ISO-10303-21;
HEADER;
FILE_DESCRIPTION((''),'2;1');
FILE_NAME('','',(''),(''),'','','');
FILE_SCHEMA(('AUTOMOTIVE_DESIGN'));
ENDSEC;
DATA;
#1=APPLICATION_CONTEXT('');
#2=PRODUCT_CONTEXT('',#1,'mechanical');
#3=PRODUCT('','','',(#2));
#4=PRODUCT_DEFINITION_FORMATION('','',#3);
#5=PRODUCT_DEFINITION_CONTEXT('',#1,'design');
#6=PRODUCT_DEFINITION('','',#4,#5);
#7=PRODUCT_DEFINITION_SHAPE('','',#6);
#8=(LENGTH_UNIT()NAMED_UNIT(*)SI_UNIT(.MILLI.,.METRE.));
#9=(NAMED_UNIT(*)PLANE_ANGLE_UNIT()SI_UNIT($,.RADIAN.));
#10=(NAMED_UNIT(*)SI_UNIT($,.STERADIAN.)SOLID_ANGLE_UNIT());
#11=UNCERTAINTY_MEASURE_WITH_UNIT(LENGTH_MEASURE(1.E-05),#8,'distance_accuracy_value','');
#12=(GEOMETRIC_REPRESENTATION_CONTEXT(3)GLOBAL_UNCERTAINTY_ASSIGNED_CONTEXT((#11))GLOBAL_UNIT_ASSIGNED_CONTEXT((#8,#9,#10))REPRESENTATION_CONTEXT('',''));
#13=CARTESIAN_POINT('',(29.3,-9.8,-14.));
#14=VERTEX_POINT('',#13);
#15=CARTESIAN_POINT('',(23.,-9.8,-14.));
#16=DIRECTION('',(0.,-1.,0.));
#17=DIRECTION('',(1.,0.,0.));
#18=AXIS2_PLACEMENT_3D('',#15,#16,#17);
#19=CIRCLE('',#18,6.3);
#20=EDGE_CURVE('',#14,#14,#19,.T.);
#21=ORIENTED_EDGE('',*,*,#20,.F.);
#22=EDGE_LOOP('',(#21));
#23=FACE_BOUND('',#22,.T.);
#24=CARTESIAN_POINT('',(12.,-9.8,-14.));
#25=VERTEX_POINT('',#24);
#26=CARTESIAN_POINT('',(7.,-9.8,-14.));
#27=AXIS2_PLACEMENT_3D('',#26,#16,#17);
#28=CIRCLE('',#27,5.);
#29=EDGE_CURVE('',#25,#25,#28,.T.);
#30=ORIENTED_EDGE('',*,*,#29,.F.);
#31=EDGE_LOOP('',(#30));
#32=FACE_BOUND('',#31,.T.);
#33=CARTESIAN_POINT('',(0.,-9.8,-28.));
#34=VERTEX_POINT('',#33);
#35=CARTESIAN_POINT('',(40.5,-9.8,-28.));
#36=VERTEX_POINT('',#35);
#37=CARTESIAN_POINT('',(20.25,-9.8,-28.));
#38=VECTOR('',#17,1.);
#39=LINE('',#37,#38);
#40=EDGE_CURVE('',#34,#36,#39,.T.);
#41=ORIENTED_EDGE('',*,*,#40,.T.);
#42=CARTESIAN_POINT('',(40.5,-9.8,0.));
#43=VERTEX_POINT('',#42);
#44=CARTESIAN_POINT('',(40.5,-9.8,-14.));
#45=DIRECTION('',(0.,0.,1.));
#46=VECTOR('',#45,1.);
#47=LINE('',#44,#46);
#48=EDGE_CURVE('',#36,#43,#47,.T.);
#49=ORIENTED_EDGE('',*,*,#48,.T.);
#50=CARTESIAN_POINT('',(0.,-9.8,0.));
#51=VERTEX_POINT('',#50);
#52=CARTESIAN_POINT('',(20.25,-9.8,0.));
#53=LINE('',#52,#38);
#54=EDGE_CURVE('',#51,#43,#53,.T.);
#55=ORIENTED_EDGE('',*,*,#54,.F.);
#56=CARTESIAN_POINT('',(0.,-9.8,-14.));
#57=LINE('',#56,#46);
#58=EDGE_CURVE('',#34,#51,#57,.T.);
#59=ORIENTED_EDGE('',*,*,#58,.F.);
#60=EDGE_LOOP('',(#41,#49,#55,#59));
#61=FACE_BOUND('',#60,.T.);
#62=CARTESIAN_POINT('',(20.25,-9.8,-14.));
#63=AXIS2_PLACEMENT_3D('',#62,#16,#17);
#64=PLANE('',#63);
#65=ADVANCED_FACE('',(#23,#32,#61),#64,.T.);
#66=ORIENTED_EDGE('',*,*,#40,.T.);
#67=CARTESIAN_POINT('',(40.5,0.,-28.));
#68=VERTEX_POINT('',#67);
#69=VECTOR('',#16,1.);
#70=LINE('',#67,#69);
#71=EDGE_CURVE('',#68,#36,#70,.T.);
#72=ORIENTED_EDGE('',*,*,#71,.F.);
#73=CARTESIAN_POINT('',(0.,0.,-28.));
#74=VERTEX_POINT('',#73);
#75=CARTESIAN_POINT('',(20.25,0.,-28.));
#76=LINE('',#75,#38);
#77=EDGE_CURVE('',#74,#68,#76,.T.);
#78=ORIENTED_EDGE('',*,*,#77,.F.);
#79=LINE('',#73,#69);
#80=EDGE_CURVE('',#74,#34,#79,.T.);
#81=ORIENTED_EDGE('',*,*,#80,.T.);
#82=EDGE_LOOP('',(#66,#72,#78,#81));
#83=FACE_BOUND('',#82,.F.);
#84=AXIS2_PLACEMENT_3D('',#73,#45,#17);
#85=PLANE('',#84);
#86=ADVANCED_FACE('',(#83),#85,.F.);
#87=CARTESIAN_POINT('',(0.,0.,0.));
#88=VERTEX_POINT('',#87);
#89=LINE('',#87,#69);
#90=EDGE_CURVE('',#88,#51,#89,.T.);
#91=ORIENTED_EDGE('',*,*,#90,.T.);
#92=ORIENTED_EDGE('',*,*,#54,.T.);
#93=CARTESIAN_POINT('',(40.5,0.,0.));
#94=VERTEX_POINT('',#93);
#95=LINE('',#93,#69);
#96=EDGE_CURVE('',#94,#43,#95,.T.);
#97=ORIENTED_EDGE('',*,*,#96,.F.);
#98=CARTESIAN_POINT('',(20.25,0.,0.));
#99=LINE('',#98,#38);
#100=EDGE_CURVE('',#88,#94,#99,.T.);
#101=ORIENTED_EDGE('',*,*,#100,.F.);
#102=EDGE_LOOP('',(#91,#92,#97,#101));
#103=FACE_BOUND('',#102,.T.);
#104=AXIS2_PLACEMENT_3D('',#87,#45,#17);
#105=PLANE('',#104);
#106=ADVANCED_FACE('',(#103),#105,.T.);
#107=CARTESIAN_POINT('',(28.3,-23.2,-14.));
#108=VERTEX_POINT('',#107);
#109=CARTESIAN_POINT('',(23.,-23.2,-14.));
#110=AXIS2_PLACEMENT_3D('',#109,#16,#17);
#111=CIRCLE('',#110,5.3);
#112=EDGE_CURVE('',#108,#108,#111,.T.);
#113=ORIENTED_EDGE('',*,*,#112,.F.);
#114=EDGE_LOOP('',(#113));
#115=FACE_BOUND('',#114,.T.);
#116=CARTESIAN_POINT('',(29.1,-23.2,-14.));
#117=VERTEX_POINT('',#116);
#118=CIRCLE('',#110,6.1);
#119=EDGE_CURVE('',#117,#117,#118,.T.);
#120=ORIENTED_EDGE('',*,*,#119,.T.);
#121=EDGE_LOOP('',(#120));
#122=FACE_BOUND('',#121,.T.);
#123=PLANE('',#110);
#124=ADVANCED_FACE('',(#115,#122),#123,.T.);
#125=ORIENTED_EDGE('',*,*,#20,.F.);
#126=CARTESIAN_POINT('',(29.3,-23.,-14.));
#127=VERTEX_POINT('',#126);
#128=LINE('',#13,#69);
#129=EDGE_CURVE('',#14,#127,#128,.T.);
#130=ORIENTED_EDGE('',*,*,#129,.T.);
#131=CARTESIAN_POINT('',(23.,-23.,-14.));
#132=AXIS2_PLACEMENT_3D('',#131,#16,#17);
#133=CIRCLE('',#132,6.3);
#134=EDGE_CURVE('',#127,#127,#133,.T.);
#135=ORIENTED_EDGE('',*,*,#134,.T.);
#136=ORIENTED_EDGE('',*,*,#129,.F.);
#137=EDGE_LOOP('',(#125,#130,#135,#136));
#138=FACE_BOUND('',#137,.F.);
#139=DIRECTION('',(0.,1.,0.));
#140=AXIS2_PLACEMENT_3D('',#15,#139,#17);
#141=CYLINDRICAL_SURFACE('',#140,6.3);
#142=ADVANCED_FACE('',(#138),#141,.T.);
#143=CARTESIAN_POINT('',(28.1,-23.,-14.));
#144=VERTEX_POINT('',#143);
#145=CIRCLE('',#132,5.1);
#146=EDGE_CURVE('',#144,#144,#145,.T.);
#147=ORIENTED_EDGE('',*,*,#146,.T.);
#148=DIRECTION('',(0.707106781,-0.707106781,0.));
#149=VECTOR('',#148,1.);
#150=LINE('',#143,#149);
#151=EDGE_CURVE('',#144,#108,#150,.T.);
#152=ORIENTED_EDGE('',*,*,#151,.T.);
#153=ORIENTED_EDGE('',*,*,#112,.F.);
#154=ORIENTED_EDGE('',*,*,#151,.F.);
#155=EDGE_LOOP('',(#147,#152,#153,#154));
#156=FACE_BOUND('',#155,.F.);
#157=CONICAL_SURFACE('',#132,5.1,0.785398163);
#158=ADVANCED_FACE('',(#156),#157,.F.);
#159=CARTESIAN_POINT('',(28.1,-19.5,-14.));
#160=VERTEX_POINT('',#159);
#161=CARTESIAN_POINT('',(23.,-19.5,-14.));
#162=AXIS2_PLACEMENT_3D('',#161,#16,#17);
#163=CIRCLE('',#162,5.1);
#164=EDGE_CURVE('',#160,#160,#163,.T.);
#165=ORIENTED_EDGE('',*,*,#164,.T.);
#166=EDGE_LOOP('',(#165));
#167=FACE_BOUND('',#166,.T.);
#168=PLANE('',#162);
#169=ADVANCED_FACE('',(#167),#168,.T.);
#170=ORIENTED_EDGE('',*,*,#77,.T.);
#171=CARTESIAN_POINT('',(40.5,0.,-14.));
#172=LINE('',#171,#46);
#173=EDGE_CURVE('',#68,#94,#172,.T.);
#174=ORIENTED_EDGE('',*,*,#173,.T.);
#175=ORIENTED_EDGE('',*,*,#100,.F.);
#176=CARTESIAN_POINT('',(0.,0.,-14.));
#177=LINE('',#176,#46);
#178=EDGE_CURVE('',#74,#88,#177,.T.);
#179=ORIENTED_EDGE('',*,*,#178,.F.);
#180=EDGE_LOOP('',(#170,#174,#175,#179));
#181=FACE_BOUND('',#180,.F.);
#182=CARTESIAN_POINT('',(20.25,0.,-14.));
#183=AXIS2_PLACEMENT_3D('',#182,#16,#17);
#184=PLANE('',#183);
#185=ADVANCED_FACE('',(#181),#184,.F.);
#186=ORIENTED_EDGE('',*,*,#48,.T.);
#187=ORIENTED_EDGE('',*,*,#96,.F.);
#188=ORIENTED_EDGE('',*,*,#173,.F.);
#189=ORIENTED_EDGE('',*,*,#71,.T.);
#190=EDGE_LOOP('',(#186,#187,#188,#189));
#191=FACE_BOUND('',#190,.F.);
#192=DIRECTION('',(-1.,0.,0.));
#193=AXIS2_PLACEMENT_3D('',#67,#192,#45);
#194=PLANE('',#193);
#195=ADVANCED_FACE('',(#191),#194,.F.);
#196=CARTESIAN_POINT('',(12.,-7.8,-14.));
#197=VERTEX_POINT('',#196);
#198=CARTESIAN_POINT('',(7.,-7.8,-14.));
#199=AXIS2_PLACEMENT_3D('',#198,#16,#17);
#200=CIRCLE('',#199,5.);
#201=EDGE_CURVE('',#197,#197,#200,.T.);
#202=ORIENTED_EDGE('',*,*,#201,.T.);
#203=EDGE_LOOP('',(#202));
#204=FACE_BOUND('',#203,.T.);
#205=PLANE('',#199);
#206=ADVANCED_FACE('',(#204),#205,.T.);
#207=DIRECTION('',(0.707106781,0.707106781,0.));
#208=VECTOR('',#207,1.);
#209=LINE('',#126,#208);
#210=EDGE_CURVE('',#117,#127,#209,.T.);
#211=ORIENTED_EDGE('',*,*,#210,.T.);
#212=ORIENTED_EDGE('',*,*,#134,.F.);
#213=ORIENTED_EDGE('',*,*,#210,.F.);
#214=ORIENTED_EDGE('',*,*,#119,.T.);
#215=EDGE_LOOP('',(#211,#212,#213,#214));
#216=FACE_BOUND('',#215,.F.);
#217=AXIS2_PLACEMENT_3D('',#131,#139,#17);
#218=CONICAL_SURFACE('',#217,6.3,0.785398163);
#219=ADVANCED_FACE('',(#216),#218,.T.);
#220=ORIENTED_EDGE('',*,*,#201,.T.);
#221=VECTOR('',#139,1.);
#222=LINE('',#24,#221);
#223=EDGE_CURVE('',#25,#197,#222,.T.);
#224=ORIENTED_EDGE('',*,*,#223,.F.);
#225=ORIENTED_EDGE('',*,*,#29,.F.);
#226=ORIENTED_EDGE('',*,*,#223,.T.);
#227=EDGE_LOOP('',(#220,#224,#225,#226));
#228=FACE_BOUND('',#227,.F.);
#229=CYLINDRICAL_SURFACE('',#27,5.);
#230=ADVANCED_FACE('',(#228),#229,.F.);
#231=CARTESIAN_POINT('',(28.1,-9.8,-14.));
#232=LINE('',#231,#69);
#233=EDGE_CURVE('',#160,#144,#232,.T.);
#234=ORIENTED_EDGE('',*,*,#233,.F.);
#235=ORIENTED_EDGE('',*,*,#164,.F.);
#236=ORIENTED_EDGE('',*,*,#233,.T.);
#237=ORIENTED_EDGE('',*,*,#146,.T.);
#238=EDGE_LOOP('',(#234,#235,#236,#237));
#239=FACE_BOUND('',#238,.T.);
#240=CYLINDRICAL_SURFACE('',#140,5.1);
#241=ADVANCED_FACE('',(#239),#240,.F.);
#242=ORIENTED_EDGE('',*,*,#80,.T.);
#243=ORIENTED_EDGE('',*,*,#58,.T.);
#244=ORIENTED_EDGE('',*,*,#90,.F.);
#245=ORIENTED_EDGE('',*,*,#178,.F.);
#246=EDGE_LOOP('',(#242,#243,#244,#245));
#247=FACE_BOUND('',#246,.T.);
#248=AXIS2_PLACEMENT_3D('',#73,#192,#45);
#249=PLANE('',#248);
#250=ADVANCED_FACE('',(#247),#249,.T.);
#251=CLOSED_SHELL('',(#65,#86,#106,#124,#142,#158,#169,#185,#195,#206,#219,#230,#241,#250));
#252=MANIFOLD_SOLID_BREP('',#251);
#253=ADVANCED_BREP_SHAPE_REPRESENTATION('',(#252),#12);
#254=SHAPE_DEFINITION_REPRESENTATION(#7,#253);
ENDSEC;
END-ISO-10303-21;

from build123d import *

# Parameters (mm, degrees)
F0_W      = 40.5
F0_H      = 28
F1_DEPTH  = 9.8
F2_R      = 6.3
F2_R_2    = 5.1
F3_DEPTH  = 13.4
F3_FACE_R = 5.1
F4_DEPTH  = 9.7
F5_R      = 5
F6_DEPTH  = 2
F7_SIZE   = 0.2


with BuildPart() as f1:
    # F0 (on Front) → F1 (new body)
    with BuildSketch(Plane.XZ):
        with Locations((20.25, -14)):
            Rectangle(F0_W, F0_H)
    extrude(amount=F1_DEPTH)

    # F2 (on face) → F3 (join)
    with BuildSketch(Plane.XZ.offset(9.8)):
        with Locations((23, -14)):
            Circle(F2_R)
        with Locations((23, -14)):
            Circle(F2_R_2, mode=Mode.SUBTRACT)
    extrude(amount=F3_DEPTH)

    # F3_face (on face) → F4 (join)
    with BuildSketch(Plane(origin=(23, -9.8, -14), x_dir=(1, 0, 0), z_dir=(0, -1, 0))):
        Circle(F3_FACE_R)
    extrude(amount=F4_DEPTH)

    # F5 (on face) → F6 (cut)
    with BuildSketch(Plane.XZ.offset(9.8)):
        with Locations((7, -14)):
            Circle(F5_R)
    extrude(amount=-F6_DEPTH, mode=Mode.SUBTRACT)

    # F7
    f7_edges = [f1.edges().sort_by_distance(p)[0] for p in [
        (17.9, -23.2, -14),
        (16.7, -23.2, -14),
    ]]
    chamfer(f7_edges, length=F7_SIZE)


solid = f1.part
